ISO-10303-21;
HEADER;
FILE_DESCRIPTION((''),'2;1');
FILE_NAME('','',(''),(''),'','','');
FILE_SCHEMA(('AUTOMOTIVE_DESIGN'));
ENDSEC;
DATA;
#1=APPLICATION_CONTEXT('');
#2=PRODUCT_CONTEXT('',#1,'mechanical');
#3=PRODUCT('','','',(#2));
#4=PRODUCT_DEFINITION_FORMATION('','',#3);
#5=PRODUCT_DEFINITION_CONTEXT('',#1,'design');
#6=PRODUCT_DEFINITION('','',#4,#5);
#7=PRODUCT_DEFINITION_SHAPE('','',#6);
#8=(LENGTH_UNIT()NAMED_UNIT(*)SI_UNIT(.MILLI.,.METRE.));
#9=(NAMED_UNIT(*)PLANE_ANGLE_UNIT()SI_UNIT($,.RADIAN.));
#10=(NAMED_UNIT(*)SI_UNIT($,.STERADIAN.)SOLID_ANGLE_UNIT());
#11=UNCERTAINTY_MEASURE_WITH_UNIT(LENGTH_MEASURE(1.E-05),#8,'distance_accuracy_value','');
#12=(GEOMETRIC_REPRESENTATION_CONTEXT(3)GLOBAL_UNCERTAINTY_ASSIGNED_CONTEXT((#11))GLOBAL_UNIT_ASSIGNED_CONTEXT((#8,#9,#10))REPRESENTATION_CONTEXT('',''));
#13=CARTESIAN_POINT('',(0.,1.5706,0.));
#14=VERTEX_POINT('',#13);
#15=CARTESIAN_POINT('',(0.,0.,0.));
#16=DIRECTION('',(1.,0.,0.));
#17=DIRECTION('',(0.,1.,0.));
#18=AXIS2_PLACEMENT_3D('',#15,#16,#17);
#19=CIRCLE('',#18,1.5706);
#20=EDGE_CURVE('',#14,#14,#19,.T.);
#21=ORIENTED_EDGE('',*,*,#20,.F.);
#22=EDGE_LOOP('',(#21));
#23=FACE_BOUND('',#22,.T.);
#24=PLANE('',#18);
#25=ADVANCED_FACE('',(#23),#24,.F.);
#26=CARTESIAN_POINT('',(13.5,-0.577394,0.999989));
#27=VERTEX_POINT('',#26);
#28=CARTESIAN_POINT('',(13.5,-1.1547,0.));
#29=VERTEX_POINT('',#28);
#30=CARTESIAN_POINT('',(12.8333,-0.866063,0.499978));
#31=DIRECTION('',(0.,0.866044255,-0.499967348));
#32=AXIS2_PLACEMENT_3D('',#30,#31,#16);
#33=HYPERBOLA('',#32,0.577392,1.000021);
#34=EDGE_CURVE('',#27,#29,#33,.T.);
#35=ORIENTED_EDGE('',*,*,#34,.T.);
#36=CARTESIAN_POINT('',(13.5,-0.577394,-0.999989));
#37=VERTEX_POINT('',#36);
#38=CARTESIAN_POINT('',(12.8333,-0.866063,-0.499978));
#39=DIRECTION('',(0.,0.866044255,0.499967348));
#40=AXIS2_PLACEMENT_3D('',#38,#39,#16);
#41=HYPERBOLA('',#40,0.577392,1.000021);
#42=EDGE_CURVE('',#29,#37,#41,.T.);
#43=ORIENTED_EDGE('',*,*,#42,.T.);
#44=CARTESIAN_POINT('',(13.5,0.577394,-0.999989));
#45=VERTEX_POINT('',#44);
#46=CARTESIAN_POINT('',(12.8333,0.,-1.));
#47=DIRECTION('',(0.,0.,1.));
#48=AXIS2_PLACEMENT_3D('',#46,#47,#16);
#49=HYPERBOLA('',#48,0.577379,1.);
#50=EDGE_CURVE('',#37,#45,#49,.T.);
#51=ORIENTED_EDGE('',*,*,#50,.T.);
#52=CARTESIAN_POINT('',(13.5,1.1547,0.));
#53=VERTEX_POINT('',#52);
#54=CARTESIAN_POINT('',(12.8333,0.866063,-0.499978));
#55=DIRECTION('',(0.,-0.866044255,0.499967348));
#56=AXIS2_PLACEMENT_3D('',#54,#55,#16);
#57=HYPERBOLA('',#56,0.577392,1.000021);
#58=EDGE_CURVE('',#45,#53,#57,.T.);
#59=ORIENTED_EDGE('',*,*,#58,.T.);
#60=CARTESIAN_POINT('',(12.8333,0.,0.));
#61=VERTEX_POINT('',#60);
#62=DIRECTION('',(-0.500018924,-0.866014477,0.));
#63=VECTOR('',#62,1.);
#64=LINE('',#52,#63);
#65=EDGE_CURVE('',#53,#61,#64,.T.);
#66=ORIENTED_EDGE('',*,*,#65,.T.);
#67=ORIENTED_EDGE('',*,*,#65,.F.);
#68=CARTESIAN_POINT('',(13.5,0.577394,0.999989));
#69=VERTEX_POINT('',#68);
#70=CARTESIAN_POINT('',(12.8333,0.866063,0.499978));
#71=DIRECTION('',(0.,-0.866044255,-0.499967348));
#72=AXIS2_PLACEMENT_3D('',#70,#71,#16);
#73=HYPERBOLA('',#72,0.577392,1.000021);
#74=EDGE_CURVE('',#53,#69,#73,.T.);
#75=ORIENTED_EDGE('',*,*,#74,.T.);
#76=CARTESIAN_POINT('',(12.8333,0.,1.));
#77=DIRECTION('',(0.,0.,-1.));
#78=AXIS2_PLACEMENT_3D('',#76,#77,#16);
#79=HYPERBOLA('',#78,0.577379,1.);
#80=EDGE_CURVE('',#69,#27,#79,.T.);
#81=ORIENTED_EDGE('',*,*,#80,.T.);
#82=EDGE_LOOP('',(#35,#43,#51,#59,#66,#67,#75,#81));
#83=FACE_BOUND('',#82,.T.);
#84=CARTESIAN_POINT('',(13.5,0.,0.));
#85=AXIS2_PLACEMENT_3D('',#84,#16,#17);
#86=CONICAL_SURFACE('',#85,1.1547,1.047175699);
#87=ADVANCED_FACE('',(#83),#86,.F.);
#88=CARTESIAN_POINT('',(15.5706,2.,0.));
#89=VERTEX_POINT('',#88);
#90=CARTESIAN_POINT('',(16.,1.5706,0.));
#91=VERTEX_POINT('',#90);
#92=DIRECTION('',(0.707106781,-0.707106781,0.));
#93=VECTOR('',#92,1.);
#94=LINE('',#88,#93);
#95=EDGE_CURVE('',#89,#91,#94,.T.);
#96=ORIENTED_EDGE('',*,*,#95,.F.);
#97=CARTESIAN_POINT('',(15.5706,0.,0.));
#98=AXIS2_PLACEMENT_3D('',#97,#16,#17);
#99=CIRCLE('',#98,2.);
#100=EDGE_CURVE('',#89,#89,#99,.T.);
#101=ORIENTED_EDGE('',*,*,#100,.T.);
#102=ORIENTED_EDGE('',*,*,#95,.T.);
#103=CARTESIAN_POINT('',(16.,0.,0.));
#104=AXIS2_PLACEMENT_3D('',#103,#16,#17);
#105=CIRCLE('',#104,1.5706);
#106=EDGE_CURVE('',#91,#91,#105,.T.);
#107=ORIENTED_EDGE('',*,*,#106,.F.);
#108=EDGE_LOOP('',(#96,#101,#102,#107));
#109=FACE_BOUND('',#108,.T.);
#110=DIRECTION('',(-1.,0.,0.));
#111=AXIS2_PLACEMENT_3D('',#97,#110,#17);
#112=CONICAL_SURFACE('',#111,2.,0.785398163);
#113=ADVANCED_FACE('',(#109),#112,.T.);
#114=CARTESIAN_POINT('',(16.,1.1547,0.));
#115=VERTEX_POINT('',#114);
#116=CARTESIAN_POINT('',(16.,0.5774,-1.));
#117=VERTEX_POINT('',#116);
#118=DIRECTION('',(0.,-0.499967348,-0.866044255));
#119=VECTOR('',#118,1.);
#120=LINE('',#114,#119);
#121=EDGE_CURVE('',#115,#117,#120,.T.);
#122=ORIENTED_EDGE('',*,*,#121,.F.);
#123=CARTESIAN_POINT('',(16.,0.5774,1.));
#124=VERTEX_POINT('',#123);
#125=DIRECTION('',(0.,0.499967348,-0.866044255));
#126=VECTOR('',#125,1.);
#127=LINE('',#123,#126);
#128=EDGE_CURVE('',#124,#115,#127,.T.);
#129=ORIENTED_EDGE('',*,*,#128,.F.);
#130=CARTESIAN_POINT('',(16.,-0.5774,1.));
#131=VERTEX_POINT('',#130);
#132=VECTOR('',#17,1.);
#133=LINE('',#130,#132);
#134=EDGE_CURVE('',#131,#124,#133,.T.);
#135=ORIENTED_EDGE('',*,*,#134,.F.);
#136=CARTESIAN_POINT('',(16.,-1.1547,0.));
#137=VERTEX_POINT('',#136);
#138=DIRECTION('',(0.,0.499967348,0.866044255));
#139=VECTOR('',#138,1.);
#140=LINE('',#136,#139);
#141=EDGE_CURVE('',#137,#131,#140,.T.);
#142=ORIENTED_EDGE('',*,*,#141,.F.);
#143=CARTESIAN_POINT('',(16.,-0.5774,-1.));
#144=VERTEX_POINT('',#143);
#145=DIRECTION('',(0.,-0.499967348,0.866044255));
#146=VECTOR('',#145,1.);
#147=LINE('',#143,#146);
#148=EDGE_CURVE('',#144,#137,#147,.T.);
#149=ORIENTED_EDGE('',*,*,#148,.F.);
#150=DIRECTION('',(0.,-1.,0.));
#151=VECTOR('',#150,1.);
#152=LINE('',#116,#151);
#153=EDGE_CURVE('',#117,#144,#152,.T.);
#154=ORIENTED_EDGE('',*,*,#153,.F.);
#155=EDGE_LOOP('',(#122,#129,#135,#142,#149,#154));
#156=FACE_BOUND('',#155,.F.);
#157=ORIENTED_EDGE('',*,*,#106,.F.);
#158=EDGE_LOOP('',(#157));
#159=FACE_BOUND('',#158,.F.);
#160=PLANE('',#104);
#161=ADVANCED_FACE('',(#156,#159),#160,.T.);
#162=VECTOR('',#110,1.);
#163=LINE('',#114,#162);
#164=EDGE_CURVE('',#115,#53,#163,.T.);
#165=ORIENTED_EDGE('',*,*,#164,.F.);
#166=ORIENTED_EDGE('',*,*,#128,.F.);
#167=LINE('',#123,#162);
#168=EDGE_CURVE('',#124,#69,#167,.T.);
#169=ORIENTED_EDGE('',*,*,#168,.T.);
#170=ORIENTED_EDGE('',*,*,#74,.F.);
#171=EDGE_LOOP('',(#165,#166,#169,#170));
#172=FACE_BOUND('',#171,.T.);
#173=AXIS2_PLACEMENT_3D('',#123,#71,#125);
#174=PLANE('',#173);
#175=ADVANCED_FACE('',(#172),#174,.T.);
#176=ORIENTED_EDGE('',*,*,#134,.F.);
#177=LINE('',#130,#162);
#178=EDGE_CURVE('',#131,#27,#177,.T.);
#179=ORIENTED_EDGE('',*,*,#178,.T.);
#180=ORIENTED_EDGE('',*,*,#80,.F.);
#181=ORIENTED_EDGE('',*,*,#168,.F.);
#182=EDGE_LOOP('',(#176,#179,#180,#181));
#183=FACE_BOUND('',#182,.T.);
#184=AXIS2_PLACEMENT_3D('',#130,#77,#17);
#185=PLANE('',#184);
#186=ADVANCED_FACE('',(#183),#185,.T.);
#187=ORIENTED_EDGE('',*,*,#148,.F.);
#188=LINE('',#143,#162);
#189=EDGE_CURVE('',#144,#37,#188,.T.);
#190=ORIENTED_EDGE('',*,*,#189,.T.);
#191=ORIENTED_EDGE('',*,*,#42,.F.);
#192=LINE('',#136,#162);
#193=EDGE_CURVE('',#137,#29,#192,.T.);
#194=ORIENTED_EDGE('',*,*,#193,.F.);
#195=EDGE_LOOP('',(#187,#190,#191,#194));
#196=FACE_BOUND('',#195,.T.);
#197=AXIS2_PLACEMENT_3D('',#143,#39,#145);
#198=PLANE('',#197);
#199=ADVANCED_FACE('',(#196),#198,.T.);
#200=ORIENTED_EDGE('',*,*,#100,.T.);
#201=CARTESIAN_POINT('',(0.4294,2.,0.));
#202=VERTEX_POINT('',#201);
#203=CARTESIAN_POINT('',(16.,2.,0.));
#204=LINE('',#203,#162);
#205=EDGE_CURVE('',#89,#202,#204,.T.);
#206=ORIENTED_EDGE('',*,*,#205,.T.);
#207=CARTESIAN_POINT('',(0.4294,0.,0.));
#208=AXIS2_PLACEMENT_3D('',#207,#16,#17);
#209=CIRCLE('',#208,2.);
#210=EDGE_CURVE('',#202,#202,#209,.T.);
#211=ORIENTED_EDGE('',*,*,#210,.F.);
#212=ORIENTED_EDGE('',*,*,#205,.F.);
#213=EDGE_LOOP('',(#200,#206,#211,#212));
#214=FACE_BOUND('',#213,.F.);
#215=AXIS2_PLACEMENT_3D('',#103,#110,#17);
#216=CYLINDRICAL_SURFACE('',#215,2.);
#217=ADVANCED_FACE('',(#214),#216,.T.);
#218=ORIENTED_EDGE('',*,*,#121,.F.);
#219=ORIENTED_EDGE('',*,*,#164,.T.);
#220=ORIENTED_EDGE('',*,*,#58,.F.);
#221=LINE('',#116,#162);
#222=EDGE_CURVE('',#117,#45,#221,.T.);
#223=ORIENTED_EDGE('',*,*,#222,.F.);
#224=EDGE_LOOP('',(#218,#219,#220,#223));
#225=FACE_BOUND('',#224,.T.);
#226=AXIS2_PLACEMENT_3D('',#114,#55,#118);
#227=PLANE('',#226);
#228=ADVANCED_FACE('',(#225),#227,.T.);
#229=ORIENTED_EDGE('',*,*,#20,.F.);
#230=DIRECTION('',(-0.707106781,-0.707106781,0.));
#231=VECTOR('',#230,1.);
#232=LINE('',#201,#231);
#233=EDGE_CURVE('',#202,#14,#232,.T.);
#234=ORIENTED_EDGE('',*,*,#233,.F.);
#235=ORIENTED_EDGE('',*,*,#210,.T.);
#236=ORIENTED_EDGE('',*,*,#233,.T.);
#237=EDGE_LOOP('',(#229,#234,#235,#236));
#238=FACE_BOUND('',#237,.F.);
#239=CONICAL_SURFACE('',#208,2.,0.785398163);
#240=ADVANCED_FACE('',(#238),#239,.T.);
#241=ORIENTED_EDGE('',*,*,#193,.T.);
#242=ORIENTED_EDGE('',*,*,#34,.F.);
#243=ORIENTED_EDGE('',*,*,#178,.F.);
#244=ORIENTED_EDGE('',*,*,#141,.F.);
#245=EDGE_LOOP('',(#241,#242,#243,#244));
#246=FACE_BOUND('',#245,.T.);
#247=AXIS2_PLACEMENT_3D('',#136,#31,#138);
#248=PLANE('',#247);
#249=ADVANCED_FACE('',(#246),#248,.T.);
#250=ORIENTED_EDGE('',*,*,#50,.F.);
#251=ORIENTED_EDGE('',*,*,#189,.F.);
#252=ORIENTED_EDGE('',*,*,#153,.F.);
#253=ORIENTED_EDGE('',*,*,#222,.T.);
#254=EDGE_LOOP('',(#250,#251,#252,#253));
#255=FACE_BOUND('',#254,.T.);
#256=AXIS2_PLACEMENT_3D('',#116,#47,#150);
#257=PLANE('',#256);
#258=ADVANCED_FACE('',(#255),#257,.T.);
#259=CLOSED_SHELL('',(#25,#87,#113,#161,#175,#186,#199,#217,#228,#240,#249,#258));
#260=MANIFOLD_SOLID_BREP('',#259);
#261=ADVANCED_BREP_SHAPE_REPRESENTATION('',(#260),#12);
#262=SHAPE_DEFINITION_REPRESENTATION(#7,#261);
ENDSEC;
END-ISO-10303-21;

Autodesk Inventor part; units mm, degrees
ref_plane "YZ Plane" through (0, 0, 0) normal (1, 0, 0) x (0, 1, 0)
ref_plane "XZ Plane" through (0, 0, 0) normal (0, 1, 0) x (-1, 0, 0)
sketch "Skizze1" plane through (0, 0, 0) normal (0, 0, 1) x (1, 0, 0)
  line L0 (0, 0) -> (12.8333, 0)
  line L1 (16, 1.1547) -> (16, 2)
  line L2 (16, 2) -> (0, 2)
  line L3 (16, 1.1547) -> (13.5, 1.1547)
  line L4 (13.5, 1.1547) -> (12.8333, 0)
  line L5 (0, -0.4) -> (0, 2.4) projected
  line L6 (0, 2) -> (0, 0)
  dimension "d0" = 2.5
  dimension "d1" = 60
  dimension "d2" = 4
  dimension "d3" = 2.3094
  dimension "d5" = 16
revolve "Körper" add sketch "Skizze1" angle 360 about axis through (0, 0, 0) along (1, 0, 0)
sketch "Skizze2" plane through (16, 0, 0) normal (1, 0, 0) x (0, 1, 0)
  circle A0 centre (0, 0) radius 1.1547 projected
  line L0 (-0.5774, 1) -> (0.5774, 1)
  line L1 (0.5774, 1) -> (1.1547, 0)
  line L2 (1.1547, 0) -> (0.5774, -1)
  line L3 (0.5774, -1) -> (-0.5774, -1)
  line L4 (-0.5774, -1) -> (-1.1547, 0)
  line L5 (-1.1547, 0) -> (-0.5774, 1)
  point P0 (0, 0)
  point P1 (0, 0)
extrude "Loch" add sketch "Skizze2" against normal up to next contours L1 A0 | A0 L2 | L0 A0 | A0 L3 | L5 A0 | A0 L4
thread "Gewinde" size "M4x0.7" class "6g" standard "ISO Metric profile" length 16
chamfer "Fase1" distance 0.4294 angle 45 1 edges at (16, -2, 0) measured on face at (10.6667, 1.9741, -0.3208)
chamfer "Fase2" distance 0.4294 angle 45 1 edges at (0, -2, 0) measured on face at (5.1902, 1.9935, -0.1609)
ref_plane "Work Plane1" through (8, 0, 0) normal (0, 0, 1) x (1, 0, 0)
equation "\"d0\" = INTI"
equation "\"d2\" = NND"
equation "\"d3\" = 1.1547 * SW"
equation "\"d5\" = NLG"
equation "\"d8\" = NLG"
equation "\"d10\" = -0.5 * GD1 + 0.5 * NND"
equation "\"d11\" = FAWI"
equation "\"d34\" = -0.5 * GD1 + 0.5 * NND"
equation "\"d12\" = -0.5 * GD1 + 0.5 * NND"
equation "\"d13\" = FAWI"
equation "\"d35\" = -0.5 * GD1 + 0.5 * NND"
equation "\"NND\" = 4"
equation "\"NLG\" = 16"
equation "\"INTI\" = 2.5"
equation "\"FAWI\" = 45deg"
equation "\"SW\" = 2"
equation "\"GD1\" = THREADDIA - 1.2269 * PTC"
equation "\"SPD\" = 2.5"
equation "\"GUL\" = 0.61345 * PTC"
equation "\"TOA\" = 30deg"
equation "\"THREADDIA\" = 4"
equation "\"PTC\" = 0.7"
equation "\"FAWI1\" = 45deg"
equation "\"GAL\" = 0.61345 * PTC"
equation "\"E0\" = 1.155 * SW"
properties part number "DIN 913 - M4 x 16" material "Stahl, weich"
